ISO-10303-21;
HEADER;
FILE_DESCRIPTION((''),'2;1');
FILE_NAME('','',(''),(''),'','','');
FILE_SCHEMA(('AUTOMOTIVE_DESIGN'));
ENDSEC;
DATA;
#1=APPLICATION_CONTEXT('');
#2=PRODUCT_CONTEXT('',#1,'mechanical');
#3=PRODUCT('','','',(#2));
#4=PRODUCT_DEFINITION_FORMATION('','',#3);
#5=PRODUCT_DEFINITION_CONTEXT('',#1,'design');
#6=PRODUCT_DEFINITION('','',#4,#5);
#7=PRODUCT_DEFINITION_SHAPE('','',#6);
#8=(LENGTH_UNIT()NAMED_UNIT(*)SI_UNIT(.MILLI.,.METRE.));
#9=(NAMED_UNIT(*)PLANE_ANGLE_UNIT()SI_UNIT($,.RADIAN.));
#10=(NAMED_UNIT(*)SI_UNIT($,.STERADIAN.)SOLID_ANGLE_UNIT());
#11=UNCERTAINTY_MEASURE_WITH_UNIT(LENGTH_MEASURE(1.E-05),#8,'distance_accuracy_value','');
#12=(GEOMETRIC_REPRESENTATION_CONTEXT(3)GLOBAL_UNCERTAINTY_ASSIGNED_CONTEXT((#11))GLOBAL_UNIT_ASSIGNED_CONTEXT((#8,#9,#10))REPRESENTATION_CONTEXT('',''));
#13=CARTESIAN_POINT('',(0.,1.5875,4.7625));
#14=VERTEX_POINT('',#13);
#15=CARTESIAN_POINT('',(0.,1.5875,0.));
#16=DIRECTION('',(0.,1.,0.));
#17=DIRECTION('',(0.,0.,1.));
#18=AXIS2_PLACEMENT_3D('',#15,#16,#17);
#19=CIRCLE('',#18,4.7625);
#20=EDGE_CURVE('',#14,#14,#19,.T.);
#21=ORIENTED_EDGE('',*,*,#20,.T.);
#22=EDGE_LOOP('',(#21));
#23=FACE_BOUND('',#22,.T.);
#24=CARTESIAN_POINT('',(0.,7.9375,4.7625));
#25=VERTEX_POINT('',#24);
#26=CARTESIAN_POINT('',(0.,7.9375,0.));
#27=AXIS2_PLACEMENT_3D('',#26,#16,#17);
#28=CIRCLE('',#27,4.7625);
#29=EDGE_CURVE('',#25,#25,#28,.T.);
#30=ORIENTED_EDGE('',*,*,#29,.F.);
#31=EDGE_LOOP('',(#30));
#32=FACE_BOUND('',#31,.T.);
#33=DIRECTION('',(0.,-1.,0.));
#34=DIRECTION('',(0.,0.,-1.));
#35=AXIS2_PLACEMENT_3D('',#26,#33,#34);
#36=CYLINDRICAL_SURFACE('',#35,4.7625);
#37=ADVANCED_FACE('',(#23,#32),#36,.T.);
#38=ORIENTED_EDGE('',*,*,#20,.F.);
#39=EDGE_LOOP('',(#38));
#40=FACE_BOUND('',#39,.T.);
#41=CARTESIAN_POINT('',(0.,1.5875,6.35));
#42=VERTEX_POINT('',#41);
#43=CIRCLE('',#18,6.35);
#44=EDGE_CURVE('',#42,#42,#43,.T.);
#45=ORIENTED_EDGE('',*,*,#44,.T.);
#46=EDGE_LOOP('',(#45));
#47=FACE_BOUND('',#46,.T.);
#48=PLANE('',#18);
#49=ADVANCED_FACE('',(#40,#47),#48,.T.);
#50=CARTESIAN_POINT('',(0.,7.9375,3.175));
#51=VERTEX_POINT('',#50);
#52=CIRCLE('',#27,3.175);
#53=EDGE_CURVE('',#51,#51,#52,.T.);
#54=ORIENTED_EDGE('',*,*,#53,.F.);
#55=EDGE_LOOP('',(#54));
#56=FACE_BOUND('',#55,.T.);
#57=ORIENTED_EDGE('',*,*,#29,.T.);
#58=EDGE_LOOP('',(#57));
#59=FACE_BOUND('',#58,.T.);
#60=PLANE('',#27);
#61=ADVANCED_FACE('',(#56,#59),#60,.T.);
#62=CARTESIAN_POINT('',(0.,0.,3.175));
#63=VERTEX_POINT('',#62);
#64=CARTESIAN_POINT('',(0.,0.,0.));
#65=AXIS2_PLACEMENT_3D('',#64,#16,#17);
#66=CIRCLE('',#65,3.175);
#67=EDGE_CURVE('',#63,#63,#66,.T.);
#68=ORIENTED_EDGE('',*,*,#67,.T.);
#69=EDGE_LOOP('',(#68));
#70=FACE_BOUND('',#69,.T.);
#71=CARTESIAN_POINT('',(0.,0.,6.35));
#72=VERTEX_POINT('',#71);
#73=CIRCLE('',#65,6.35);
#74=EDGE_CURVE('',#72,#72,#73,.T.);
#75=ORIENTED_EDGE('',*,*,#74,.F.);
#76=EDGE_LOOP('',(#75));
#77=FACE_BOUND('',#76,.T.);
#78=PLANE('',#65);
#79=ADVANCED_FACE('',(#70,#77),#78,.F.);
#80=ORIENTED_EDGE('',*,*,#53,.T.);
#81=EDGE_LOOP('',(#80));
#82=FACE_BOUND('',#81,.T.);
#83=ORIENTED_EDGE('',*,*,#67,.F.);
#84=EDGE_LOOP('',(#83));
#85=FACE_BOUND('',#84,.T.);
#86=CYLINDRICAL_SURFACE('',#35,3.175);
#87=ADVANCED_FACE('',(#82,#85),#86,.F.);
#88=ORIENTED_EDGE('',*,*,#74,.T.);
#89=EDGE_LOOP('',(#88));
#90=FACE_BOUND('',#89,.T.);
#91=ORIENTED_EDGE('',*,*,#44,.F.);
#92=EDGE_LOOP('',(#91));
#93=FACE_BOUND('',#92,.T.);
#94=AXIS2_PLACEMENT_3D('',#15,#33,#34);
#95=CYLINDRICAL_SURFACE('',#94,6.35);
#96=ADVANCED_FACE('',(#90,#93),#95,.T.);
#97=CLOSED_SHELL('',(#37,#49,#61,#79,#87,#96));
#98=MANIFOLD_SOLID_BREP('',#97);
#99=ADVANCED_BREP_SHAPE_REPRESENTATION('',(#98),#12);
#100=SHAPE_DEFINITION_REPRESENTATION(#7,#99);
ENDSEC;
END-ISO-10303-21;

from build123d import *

# Parameters (mm, degrees)
SKETCH2_R           = 4.7625
SKETCH2_R_2         = 3.175
BOSS_EXTRUDE1_DEPTH = 7.9375
SKETCH3_R           = 6.35
SKETCH3_R_2         = 4.7625
BOSS_EXTRUDE2_DEPTH = 1.5875


with BuildPart() as part:
    # Sketch2 → Boss-Extrude1 (new body)
    with BuildSketch(Plane(origin=(0, 0, 0), x_dir=(1, 0, 0), z_dir=(0, 1, 0))):
        Circle(SKETCH2_R)
        Circle(SKETCH2_R_2, mode=Mode.SUBTRACT)
    extrude(amount=BOSS_EXTRUDE1_DEPTH)

    # Sketch3 → Boss-Extrude2 (add)
    with BuildSketch(Plane(origin=(0, 0, 0), x_dir=(1, 0, 0), z_dir=(0, 1, 0))):
        Circle(SKETCH3_R)
        Circle(SKETCH3_R_2, mode=Mode.SUBTRACT)
    extrude(amount=BOSS_EXTRUDE2_DEPTH)


solid = part.part
